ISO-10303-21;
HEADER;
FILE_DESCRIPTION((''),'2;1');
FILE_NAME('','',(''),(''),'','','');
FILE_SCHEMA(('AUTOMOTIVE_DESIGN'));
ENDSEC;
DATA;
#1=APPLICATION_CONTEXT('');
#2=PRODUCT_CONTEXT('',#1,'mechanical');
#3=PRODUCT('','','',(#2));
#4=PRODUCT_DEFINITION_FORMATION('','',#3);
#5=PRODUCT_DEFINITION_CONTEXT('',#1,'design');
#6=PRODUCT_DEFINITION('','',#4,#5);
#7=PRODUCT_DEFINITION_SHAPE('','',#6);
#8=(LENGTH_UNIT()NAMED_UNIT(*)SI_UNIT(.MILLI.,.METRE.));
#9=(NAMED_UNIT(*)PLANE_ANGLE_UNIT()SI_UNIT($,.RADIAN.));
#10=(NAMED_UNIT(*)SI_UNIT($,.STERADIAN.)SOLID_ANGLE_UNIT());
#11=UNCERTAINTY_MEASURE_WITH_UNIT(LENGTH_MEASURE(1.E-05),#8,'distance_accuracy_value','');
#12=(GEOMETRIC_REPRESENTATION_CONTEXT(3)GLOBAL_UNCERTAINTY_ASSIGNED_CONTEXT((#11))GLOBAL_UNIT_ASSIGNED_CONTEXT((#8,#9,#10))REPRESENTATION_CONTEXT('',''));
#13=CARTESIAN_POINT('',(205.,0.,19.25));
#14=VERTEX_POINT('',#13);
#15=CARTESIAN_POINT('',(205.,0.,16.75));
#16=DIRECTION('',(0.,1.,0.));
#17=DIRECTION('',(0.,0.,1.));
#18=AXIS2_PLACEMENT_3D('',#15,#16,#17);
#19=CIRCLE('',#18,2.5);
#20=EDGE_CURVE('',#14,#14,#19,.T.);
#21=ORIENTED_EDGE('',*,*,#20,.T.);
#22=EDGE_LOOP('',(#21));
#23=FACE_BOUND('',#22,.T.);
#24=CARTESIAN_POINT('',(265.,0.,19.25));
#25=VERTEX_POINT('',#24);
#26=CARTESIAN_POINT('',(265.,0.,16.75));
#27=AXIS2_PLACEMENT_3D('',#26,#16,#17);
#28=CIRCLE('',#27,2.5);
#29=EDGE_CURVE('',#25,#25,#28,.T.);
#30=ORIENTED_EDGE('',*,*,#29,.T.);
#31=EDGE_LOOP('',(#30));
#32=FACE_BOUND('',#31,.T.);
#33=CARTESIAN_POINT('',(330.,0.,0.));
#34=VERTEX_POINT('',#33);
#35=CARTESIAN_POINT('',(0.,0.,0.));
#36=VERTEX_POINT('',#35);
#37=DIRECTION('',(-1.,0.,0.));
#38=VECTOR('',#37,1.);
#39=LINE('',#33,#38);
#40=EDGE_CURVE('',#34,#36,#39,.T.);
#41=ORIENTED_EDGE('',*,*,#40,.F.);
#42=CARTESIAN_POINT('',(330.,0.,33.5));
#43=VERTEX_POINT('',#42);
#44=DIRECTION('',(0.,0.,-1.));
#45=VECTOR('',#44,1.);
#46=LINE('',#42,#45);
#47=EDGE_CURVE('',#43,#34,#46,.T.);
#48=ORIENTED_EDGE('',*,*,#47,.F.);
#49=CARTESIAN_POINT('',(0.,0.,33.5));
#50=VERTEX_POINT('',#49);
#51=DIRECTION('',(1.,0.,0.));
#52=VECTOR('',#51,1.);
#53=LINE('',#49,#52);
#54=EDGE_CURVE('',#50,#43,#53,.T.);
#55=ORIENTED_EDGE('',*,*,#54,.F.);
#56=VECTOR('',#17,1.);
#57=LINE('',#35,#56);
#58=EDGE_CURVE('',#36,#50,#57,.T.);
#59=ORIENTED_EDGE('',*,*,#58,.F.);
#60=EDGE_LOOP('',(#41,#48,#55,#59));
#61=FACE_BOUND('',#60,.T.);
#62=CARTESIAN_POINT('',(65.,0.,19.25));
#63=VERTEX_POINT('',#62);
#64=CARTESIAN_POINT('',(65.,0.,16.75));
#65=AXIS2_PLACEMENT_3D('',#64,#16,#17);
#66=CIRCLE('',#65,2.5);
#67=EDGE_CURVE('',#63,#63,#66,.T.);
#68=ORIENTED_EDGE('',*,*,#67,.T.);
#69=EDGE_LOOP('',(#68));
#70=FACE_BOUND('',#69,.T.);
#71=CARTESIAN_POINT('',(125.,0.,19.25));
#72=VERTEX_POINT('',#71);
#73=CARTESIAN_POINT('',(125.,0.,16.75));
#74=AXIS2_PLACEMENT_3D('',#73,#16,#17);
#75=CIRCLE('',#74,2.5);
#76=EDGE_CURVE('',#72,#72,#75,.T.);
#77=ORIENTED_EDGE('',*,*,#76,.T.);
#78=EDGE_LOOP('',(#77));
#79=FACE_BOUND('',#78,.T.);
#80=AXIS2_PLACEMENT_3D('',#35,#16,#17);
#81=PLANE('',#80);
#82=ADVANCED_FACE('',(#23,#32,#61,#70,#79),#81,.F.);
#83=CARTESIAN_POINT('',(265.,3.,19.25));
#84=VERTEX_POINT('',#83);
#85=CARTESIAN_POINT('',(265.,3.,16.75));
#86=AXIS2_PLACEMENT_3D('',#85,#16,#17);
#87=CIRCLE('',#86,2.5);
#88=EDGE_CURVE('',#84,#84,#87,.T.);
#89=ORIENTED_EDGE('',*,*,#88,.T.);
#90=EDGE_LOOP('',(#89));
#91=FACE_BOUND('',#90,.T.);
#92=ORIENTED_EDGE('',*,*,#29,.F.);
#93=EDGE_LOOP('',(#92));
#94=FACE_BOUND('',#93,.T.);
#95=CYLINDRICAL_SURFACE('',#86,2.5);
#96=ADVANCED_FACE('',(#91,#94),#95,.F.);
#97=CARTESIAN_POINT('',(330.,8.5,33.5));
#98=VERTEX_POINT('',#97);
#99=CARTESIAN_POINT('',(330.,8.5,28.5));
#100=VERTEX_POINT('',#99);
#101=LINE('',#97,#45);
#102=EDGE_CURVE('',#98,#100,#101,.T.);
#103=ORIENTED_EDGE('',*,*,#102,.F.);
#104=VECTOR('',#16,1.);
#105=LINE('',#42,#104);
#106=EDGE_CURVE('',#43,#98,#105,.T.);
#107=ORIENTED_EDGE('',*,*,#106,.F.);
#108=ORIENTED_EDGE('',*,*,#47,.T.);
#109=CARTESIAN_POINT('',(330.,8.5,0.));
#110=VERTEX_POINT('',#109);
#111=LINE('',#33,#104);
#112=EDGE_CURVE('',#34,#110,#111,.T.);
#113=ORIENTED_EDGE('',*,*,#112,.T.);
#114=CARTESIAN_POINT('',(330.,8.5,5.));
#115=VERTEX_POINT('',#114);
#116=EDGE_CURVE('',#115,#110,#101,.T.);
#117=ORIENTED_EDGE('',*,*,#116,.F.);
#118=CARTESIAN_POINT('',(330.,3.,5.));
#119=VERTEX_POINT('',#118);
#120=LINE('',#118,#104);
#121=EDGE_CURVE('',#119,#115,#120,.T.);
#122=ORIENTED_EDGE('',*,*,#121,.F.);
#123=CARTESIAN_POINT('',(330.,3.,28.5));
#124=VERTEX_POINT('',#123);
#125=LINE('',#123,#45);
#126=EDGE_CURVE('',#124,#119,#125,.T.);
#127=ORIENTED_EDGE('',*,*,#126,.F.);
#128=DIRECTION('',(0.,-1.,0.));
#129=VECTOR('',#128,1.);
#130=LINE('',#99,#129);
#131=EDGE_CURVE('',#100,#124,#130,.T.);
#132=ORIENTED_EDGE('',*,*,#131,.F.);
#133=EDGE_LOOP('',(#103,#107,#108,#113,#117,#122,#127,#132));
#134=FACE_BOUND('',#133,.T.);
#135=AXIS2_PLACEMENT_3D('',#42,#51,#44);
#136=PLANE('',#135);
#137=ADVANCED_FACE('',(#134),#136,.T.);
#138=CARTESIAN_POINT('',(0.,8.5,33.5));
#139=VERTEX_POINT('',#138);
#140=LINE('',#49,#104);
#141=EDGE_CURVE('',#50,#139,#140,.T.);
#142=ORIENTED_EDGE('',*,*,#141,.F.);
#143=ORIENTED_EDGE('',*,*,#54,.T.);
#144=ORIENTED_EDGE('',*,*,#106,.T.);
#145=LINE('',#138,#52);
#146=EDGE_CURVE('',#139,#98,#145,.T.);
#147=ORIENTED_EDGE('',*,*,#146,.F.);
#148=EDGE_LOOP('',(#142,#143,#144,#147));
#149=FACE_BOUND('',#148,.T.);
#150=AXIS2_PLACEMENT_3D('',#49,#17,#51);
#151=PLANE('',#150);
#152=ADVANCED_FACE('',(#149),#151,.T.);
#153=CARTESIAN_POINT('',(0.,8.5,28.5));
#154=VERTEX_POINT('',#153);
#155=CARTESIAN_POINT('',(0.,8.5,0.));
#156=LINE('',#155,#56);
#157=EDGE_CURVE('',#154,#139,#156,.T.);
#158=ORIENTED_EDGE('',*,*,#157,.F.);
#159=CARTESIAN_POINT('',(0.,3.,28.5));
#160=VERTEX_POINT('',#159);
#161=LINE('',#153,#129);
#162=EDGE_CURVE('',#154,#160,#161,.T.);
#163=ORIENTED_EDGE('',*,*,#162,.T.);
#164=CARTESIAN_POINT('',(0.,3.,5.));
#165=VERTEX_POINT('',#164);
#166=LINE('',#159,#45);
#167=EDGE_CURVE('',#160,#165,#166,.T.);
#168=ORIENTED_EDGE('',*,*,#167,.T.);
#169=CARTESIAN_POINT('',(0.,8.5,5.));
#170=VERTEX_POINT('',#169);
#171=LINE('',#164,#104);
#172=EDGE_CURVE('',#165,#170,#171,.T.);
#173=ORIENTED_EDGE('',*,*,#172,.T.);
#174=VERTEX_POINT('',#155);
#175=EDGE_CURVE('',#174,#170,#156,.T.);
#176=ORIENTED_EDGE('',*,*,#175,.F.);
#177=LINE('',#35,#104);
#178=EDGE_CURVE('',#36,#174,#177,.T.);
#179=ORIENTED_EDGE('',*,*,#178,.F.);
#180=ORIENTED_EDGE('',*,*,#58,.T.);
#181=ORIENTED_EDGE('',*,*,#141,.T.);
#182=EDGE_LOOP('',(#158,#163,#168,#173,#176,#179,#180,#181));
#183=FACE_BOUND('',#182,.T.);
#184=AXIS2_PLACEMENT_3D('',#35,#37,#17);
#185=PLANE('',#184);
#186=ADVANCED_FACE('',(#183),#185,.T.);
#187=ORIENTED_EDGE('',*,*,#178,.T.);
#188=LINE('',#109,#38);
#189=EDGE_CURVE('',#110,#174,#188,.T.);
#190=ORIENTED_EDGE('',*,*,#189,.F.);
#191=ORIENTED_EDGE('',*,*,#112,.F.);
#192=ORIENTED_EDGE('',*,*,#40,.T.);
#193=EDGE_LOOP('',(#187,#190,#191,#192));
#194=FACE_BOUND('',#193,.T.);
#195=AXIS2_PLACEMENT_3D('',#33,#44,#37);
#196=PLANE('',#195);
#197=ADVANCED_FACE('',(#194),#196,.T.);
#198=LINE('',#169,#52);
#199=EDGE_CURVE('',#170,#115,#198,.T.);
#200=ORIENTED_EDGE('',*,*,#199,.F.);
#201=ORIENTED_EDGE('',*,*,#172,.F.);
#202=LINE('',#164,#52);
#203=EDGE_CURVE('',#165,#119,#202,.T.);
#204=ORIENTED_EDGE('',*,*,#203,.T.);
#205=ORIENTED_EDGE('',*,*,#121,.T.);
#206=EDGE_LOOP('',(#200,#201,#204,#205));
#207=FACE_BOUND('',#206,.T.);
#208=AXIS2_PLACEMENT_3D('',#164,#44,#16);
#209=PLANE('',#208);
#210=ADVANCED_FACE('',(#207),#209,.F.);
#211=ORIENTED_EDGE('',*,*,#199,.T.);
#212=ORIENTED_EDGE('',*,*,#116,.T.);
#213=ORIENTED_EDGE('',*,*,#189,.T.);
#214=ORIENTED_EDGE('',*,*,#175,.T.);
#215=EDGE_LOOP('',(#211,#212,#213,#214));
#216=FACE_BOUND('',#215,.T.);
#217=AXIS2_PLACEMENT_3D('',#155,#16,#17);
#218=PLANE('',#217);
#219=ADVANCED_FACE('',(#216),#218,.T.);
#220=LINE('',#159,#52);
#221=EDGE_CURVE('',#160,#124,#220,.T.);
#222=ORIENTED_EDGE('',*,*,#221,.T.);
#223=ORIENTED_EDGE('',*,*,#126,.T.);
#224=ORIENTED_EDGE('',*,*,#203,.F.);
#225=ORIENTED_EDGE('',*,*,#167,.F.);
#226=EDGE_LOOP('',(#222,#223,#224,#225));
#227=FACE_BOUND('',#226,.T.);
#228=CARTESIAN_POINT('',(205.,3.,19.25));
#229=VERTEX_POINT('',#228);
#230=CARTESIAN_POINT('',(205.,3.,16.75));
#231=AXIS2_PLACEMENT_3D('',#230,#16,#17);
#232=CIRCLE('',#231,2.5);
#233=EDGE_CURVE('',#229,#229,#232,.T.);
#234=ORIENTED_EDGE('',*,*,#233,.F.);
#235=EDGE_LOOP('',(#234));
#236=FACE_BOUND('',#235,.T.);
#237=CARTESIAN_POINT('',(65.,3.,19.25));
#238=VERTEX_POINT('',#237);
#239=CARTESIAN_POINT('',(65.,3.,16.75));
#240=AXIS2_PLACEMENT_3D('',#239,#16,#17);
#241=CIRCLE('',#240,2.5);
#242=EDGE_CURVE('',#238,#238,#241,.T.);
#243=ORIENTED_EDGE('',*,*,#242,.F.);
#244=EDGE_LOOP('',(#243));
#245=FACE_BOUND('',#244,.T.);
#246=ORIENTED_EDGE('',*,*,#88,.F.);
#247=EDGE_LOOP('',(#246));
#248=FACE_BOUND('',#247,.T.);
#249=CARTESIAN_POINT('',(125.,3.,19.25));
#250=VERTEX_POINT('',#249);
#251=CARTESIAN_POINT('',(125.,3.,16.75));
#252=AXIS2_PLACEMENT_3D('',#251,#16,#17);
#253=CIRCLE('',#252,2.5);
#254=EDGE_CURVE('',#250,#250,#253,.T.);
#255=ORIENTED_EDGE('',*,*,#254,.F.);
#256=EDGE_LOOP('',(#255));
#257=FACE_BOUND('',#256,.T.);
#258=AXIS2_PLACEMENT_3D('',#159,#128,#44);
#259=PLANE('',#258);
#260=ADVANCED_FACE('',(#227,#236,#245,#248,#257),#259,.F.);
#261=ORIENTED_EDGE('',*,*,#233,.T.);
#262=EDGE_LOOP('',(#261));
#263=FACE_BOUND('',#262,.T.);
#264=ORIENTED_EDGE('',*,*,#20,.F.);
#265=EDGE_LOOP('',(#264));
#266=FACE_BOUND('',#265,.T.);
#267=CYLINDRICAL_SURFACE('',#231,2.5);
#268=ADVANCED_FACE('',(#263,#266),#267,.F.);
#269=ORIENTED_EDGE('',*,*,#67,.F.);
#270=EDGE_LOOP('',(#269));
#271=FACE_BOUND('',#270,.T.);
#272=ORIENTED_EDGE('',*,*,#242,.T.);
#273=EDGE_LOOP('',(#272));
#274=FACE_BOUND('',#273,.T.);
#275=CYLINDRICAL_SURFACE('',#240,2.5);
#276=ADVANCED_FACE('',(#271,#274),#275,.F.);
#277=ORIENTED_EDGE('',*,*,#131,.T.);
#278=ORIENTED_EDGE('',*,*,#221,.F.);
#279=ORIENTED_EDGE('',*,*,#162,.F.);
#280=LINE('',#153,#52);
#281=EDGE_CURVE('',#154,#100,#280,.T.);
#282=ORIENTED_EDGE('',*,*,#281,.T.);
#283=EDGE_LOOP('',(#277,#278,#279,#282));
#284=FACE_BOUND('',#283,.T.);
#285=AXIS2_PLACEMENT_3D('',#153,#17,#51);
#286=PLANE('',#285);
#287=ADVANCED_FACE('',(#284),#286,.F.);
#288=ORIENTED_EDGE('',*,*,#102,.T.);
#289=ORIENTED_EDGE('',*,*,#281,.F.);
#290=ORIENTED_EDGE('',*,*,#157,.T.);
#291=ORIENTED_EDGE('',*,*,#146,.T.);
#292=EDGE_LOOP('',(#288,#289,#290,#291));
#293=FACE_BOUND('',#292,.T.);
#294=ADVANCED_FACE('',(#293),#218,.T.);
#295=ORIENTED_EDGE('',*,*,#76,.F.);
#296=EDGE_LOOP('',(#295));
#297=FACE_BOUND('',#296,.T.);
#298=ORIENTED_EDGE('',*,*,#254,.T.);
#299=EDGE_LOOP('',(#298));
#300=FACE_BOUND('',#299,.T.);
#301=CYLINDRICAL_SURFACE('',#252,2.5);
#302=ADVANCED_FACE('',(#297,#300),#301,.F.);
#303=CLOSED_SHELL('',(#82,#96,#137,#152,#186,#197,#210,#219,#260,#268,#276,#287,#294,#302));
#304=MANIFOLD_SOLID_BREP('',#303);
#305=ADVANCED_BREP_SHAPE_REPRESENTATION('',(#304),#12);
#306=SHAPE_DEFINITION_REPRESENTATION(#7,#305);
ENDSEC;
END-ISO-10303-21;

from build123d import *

# Parameters (mm, degrees)
SKETCH_1_W            = 330
SKETCH_1_H            = 33.5
EXTRUDE_1_DEPTH       = 8.5
SKETCH_2_W            = 23.5
SKETCH_2_H            = 5.5
CUT_EXTRUDE_1_DEPTH   = 332.804912562
HOLE_WIZARD_5_0_5_1_D = 5


with BuildPart() as part:
    # Эскиз1 → Бобышка-Вытянуть1 (new body)
    with BuildSketch(Plane(origin=(0, 8.5, 0), x_dir=(1, 0, 0), z_dir=(0, 1, 0))):
        with Locations((165, -16.75)):
            Rectangle(SKETCH_1_W, SKETCH_1_H)
    extrude(amount=-EXTRUDE_1_DEPTH)

    # Эскиз2 → Вырез-Вытянуть1 (cut, through all)
    with BuildSketch(Plane(origin=(330, 0, 0), x_dir=(0, 0, -1), z_dir=(1, 0, 0))):
        with Locations((-16.75, 5.75)):
            Rectangle(SKETCH_2_W, SKETCH_2_H)
    extrude(amount=-CUT_EXTRUDE_1_DEPTH, mode=Mode.SUBTRACT)

    # Диаметр отверстия Ø5.0 (5)1 (through all)
    with Locations(Plane(origin=(0, 3, 0), x_dir=(1, 0, 0), z_dir=(0, 1, 0))):
        with Locations((65, -16.75), (125, -16.75), (265, -16.75), (205, -16.75)):
            Hole(HOLE_WIZARD_5_0_5_1_D / 2)


solid = part.part
